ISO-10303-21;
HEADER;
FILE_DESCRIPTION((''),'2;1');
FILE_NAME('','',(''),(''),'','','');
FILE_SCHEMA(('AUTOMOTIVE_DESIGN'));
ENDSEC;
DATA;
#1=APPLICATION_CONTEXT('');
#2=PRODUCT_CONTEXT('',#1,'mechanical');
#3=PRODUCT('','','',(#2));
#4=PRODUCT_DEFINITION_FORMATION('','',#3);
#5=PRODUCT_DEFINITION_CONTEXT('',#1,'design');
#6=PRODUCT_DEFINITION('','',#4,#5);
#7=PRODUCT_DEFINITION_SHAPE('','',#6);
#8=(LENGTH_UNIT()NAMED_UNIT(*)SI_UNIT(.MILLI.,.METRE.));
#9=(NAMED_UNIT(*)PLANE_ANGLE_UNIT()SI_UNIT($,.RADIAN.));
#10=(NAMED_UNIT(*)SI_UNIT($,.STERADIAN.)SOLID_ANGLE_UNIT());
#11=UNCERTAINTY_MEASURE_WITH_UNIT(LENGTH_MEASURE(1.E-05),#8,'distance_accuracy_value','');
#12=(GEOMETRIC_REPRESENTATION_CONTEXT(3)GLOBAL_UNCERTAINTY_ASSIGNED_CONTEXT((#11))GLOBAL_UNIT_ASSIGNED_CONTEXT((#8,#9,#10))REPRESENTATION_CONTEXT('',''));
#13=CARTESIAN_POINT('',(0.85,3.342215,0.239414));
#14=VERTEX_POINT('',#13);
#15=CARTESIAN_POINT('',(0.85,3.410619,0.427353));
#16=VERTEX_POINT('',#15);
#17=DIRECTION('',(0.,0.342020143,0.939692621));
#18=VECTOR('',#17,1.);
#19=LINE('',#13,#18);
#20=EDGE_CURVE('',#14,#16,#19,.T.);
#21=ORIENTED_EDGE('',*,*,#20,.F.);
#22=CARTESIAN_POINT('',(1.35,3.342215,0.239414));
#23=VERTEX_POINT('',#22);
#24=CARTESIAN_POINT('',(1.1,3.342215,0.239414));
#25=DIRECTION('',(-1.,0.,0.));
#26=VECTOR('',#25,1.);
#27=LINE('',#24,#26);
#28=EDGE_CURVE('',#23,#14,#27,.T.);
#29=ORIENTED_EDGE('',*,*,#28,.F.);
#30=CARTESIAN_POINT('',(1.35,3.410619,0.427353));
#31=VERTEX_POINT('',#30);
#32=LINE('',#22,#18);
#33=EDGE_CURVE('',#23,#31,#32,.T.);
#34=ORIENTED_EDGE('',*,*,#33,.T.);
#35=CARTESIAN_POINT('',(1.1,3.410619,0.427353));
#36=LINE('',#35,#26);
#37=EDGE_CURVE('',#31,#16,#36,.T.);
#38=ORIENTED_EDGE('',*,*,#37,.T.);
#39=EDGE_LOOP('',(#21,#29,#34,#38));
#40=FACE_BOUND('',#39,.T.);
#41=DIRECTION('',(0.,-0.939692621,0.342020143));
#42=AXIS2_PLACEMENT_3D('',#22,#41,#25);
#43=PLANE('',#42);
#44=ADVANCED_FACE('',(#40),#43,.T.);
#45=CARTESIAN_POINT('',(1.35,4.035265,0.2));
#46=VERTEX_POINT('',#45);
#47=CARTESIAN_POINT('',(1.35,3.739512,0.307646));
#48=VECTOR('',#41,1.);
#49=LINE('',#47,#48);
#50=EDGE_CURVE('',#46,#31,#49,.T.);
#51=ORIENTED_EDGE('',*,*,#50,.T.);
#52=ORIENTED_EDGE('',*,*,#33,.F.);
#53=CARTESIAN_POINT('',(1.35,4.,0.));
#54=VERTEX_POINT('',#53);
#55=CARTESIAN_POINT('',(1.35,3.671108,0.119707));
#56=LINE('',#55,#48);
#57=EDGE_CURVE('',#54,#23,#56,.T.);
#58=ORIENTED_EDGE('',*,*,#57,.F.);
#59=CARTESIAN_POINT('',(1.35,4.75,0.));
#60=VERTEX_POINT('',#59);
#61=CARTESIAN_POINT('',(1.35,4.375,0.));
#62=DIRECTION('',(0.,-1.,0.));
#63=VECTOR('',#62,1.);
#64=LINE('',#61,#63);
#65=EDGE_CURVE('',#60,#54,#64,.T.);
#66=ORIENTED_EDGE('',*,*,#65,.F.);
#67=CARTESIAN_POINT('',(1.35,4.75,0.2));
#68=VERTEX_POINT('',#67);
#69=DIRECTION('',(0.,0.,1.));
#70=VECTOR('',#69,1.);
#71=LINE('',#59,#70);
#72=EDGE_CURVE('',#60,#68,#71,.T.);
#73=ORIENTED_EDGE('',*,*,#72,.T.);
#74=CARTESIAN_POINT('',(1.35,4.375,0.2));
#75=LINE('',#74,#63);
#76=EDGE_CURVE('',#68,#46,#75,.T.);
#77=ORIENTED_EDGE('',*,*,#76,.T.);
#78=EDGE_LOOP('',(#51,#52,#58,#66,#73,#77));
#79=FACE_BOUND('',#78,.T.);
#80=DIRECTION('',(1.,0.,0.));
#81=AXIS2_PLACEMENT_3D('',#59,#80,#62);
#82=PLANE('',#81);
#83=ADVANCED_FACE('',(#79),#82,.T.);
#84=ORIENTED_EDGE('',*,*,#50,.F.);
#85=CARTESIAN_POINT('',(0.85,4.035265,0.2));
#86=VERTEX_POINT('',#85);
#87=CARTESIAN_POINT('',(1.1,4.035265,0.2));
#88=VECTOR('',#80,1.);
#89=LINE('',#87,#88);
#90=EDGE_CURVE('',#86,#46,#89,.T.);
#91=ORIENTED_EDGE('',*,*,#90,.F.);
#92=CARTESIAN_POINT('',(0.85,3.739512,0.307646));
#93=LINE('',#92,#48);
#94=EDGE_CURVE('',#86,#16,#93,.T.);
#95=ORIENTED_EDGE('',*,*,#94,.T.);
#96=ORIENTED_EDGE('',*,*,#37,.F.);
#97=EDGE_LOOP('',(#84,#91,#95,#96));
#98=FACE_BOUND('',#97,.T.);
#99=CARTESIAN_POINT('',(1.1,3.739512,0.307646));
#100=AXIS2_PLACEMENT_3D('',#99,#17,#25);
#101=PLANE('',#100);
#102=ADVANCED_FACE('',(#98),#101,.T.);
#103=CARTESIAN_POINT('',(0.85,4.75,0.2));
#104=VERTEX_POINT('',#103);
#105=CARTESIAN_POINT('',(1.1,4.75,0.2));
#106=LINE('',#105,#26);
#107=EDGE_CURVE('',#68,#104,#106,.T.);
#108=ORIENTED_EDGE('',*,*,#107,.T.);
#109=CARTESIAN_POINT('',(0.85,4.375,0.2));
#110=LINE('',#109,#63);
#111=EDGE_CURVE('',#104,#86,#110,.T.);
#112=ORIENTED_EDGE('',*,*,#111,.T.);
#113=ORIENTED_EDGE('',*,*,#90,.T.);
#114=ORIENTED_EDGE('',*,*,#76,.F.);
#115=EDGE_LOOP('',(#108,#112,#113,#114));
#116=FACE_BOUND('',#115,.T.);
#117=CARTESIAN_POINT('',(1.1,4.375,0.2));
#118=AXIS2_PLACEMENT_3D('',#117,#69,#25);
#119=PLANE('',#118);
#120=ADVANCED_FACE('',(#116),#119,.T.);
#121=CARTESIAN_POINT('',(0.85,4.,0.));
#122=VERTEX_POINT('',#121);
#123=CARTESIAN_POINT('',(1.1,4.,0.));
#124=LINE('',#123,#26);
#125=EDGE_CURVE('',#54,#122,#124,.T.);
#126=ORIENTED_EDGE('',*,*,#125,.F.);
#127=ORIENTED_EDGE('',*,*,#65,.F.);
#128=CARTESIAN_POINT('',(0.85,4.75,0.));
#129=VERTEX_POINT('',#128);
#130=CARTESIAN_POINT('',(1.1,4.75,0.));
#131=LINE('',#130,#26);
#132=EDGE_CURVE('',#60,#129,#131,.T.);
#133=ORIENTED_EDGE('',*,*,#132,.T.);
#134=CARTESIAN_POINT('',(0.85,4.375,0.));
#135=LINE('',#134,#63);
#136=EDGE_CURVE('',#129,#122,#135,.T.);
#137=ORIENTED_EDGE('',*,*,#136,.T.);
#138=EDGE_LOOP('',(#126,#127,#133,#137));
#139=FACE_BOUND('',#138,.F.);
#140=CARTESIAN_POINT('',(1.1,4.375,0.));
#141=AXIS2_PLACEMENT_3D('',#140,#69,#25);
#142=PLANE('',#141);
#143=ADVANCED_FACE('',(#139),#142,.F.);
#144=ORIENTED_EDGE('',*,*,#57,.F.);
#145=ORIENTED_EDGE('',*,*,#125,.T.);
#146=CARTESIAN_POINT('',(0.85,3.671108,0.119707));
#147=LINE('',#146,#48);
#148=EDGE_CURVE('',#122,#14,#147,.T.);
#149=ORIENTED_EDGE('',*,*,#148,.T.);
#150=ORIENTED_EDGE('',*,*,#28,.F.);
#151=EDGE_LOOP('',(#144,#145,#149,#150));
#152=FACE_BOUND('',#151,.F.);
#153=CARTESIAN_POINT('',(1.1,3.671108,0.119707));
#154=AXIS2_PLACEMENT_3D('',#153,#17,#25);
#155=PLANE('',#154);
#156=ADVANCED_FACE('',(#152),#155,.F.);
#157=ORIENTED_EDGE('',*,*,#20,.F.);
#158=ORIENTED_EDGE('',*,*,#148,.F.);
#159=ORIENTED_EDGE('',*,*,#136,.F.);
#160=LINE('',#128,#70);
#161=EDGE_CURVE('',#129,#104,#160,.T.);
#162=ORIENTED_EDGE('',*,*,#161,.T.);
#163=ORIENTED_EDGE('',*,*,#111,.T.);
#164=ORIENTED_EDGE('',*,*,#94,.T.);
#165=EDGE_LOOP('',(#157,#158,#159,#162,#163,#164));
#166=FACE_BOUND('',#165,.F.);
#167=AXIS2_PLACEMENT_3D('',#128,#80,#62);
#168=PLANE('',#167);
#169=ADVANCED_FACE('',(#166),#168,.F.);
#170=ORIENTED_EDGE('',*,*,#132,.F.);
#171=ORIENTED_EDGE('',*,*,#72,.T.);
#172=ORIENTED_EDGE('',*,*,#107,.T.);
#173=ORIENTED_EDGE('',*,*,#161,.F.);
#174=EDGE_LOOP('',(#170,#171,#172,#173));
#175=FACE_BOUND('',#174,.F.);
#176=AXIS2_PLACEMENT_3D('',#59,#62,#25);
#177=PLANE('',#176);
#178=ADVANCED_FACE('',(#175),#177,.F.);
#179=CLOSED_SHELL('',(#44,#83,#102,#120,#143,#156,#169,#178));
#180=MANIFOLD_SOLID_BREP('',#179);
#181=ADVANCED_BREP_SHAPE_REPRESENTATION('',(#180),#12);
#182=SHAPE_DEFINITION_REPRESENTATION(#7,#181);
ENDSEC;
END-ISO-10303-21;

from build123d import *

# Parameters (mm, degrees)
BOX009_W                  = 0.5
BOX009_H                  = 0.75
BOX009_DEPTH              = 0.2
BOX010_W                  = 0.5
BOX010_H                  = 0.7
BOX010_DEPTH              = 0.2
BOX010_PLACEMENT_ANGLE    = 20
FUSION004_PLACEMENT_ANGLE = 180


with BuildPart() as cube009:
    # Box009 → Box009 (new body)
    with BuildSketch(Plane(origin=(0, -1.25, 0), x_dir=(1, 0, 0), z_dir=(0, 0, 1))):
        with Locations((0.25, 0.375)):
            Rectangle(BOX009_W, BOX009_H)
    extrude(amount=BOX009_DEPTH)


with BuildPart() as fusion004:
    # Box010 → Box010 (new body)
    with BuildSketch(Plane.XY):
        with Locations((0.25, 0.35)):
            Rectangle(BOX010_W, BOX010_H)
    extrude(amount=BOX010_DEPTH)


with BuildPart() as fusion004_1:
    # Box010 placement: moved
    add(fusion004.part.moved(Location((0, -0.5, 0))).rotate(Axis((0, -0.5, 0), (1, 0, 0)), BOX010_PLACEMENT_ANGLE))

    # Fusion004: union Cube009
    add(cube009.part)


with BuildPart() as fusion004_2:
    # Fusion004 placement: moved
    add(fusion004_1.part.moved(Location((1.35, 3.5, 0))).rotate(Axis((1.35, 3.5, 0), (0, 0, 1)), FUSION004_PLACEMENT_ANGLE))


solid = fusion004_2.part
